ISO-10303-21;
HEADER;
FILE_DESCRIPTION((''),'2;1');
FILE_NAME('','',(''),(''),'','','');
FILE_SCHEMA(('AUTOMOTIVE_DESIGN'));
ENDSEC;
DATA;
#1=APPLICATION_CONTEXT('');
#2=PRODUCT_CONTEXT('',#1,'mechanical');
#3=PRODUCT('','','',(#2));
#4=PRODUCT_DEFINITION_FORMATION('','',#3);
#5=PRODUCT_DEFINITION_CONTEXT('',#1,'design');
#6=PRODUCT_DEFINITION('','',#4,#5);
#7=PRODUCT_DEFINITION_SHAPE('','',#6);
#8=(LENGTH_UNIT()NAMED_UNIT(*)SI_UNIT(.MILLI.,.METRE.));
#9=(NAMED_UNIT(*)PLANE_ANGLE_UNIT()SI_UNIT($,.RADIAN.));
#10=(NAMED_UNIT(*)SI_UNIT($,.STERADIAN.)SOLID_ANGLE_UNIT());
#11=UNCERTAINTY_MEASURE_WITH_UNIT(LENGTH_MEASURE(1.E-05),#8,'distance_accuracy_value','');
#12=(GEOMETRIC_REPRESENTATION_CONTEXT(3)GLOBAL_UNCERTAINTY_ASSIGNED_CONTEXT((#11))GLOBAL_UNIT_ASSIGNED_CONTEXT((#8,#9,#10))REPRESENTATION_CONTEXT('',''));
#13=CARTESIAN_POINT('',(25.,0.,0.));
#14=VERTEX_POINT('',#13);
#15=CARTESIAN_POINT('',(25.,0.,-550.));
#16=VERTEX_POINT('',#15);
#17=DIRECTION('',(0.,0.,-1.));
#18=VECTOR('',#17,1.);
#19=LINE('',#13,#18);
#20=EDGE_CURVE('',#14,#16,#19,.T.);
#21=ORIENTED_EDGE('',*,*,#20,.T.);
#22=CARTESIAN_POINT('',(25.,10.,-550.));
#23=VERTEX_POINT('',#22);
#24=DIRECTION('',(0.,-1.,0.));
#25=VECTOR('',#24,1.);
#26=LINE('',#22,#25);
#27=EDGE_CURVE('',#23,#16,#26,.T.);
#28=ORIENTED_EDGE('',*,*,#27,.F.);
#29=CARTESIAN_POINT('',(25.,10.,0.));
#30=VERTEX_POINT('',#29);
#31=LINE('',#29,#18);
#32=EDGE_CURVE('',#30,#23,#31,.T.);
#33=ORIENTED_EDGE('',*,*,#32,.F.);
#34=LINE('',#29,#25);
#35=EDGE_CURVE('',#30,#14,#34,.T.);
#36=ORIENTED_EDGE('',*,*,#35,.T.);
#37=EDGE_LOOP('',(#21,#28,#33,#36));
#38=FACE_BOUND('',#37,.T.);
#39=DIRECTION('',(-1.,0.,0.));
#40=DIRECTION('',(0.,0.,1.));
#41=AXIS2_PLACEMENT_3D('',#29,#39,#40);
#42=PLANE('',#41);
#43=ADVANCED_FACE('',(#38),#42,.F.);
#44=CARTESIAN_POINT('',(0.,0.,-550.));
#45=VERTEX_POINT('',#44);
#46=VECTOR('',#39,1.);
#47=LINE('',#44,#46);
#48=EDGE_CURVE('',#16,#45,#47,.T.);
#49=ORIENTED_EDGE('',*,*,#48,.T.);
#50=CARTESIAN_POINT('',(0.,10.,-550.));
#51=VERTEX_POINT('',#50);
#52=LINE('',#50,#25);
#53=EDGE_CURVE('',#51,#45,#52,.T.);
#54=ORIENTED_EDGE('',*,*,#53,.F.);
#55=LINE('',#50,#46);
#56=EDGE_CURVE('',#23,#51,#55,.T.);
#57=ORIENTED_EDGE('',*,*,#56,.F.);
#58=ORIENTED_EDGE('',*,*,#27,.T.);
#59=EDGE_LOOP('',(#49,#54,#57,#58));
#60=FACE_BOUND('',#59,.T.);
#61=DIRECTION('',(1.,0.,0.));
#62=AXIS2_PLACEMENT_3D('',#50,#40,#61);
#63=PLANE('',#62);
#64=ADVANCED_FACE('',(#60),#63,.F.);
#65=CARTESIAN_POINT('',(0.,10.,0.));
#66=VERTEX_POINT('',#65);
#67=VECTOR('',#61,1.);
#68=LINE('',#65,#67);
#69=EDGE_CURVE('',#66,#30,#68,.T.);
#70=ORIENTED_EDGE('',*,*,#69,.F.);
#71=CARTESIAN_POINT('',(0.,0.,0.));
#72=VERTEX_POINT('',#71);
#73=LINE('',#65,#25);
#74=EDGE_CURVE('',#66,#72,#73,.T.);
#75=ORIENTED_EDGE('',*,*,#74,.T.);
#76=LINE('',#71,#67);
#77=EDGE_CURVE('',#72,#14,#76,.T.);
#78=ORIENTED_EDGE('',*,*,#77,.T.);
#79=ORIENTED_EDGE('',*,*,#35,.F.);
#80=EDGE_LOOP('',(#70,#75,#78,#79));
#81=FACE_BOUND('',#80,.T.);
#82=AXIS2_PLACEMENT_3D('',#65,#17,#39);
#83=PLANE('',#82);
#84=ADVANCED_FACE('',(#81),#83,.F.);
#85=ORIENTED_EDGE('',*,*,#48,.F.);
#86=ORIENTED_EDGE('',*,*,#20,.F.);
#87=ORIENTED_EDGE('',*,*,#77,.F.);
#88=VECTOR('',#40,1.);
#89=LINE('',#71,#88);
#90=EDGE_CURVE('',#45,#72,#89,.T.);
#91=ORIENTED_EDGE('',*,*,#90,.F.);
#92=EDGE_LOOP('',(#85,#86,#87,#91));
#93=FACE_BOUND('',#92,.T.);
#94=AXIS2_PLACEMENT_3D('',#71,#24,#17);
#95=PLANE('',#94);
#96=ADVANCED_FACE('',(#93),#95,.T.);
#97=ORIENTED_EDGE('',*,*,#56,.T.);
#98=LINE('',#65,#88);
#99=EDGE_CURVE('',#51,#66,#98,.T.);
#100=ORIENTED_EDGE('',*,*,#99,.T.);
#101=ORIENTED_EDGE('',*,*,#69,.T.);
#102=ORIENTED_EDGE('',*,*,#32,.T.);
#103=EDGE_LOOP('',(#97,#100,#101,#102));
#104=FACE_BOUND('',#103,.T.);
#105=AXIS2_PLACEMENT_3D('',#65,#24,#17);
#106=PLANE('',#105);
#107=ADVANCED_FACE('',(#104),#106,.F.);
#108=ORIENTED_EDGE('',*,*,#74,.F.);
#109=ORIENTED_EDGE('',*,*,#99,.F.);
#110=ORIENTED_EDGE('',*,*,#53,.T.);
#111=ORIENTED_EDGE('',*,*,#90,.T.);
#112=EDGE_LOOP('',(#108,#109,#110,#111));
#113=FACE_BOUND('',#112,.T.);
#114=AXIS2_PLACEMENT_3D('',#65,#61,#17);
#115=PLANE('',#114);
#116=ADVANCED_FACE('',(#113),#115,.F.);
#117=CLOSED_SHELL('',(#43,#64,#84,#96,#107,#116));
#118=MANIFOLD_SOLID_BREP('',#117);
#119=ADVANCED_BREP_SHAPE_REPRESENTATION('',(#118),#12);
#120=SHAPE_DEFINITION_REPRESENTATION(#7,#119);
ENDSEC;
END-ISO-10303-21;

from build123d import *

# Parameters (mm, degrees)
SKETCH1_W           = 25
SKETCH1_H           = 550
BOSS_EXTRUDE1_DEPTH = 10


with BuildPart() as part:
    # Sketch1 → Boss-Extrude1 (new body)
    with BuildSketch(Plane(origin=(0, 0, 0), x_dir=(1, 0, 0), z_dir=(0, 1, 0))):
        with Locations((12.5, 275)):
            Rectangle(SKETCH1_W, SKETCH1_H)
    extrude(amount=BOSS_EXTRUDE1_DEPTH)


solid = part.part
